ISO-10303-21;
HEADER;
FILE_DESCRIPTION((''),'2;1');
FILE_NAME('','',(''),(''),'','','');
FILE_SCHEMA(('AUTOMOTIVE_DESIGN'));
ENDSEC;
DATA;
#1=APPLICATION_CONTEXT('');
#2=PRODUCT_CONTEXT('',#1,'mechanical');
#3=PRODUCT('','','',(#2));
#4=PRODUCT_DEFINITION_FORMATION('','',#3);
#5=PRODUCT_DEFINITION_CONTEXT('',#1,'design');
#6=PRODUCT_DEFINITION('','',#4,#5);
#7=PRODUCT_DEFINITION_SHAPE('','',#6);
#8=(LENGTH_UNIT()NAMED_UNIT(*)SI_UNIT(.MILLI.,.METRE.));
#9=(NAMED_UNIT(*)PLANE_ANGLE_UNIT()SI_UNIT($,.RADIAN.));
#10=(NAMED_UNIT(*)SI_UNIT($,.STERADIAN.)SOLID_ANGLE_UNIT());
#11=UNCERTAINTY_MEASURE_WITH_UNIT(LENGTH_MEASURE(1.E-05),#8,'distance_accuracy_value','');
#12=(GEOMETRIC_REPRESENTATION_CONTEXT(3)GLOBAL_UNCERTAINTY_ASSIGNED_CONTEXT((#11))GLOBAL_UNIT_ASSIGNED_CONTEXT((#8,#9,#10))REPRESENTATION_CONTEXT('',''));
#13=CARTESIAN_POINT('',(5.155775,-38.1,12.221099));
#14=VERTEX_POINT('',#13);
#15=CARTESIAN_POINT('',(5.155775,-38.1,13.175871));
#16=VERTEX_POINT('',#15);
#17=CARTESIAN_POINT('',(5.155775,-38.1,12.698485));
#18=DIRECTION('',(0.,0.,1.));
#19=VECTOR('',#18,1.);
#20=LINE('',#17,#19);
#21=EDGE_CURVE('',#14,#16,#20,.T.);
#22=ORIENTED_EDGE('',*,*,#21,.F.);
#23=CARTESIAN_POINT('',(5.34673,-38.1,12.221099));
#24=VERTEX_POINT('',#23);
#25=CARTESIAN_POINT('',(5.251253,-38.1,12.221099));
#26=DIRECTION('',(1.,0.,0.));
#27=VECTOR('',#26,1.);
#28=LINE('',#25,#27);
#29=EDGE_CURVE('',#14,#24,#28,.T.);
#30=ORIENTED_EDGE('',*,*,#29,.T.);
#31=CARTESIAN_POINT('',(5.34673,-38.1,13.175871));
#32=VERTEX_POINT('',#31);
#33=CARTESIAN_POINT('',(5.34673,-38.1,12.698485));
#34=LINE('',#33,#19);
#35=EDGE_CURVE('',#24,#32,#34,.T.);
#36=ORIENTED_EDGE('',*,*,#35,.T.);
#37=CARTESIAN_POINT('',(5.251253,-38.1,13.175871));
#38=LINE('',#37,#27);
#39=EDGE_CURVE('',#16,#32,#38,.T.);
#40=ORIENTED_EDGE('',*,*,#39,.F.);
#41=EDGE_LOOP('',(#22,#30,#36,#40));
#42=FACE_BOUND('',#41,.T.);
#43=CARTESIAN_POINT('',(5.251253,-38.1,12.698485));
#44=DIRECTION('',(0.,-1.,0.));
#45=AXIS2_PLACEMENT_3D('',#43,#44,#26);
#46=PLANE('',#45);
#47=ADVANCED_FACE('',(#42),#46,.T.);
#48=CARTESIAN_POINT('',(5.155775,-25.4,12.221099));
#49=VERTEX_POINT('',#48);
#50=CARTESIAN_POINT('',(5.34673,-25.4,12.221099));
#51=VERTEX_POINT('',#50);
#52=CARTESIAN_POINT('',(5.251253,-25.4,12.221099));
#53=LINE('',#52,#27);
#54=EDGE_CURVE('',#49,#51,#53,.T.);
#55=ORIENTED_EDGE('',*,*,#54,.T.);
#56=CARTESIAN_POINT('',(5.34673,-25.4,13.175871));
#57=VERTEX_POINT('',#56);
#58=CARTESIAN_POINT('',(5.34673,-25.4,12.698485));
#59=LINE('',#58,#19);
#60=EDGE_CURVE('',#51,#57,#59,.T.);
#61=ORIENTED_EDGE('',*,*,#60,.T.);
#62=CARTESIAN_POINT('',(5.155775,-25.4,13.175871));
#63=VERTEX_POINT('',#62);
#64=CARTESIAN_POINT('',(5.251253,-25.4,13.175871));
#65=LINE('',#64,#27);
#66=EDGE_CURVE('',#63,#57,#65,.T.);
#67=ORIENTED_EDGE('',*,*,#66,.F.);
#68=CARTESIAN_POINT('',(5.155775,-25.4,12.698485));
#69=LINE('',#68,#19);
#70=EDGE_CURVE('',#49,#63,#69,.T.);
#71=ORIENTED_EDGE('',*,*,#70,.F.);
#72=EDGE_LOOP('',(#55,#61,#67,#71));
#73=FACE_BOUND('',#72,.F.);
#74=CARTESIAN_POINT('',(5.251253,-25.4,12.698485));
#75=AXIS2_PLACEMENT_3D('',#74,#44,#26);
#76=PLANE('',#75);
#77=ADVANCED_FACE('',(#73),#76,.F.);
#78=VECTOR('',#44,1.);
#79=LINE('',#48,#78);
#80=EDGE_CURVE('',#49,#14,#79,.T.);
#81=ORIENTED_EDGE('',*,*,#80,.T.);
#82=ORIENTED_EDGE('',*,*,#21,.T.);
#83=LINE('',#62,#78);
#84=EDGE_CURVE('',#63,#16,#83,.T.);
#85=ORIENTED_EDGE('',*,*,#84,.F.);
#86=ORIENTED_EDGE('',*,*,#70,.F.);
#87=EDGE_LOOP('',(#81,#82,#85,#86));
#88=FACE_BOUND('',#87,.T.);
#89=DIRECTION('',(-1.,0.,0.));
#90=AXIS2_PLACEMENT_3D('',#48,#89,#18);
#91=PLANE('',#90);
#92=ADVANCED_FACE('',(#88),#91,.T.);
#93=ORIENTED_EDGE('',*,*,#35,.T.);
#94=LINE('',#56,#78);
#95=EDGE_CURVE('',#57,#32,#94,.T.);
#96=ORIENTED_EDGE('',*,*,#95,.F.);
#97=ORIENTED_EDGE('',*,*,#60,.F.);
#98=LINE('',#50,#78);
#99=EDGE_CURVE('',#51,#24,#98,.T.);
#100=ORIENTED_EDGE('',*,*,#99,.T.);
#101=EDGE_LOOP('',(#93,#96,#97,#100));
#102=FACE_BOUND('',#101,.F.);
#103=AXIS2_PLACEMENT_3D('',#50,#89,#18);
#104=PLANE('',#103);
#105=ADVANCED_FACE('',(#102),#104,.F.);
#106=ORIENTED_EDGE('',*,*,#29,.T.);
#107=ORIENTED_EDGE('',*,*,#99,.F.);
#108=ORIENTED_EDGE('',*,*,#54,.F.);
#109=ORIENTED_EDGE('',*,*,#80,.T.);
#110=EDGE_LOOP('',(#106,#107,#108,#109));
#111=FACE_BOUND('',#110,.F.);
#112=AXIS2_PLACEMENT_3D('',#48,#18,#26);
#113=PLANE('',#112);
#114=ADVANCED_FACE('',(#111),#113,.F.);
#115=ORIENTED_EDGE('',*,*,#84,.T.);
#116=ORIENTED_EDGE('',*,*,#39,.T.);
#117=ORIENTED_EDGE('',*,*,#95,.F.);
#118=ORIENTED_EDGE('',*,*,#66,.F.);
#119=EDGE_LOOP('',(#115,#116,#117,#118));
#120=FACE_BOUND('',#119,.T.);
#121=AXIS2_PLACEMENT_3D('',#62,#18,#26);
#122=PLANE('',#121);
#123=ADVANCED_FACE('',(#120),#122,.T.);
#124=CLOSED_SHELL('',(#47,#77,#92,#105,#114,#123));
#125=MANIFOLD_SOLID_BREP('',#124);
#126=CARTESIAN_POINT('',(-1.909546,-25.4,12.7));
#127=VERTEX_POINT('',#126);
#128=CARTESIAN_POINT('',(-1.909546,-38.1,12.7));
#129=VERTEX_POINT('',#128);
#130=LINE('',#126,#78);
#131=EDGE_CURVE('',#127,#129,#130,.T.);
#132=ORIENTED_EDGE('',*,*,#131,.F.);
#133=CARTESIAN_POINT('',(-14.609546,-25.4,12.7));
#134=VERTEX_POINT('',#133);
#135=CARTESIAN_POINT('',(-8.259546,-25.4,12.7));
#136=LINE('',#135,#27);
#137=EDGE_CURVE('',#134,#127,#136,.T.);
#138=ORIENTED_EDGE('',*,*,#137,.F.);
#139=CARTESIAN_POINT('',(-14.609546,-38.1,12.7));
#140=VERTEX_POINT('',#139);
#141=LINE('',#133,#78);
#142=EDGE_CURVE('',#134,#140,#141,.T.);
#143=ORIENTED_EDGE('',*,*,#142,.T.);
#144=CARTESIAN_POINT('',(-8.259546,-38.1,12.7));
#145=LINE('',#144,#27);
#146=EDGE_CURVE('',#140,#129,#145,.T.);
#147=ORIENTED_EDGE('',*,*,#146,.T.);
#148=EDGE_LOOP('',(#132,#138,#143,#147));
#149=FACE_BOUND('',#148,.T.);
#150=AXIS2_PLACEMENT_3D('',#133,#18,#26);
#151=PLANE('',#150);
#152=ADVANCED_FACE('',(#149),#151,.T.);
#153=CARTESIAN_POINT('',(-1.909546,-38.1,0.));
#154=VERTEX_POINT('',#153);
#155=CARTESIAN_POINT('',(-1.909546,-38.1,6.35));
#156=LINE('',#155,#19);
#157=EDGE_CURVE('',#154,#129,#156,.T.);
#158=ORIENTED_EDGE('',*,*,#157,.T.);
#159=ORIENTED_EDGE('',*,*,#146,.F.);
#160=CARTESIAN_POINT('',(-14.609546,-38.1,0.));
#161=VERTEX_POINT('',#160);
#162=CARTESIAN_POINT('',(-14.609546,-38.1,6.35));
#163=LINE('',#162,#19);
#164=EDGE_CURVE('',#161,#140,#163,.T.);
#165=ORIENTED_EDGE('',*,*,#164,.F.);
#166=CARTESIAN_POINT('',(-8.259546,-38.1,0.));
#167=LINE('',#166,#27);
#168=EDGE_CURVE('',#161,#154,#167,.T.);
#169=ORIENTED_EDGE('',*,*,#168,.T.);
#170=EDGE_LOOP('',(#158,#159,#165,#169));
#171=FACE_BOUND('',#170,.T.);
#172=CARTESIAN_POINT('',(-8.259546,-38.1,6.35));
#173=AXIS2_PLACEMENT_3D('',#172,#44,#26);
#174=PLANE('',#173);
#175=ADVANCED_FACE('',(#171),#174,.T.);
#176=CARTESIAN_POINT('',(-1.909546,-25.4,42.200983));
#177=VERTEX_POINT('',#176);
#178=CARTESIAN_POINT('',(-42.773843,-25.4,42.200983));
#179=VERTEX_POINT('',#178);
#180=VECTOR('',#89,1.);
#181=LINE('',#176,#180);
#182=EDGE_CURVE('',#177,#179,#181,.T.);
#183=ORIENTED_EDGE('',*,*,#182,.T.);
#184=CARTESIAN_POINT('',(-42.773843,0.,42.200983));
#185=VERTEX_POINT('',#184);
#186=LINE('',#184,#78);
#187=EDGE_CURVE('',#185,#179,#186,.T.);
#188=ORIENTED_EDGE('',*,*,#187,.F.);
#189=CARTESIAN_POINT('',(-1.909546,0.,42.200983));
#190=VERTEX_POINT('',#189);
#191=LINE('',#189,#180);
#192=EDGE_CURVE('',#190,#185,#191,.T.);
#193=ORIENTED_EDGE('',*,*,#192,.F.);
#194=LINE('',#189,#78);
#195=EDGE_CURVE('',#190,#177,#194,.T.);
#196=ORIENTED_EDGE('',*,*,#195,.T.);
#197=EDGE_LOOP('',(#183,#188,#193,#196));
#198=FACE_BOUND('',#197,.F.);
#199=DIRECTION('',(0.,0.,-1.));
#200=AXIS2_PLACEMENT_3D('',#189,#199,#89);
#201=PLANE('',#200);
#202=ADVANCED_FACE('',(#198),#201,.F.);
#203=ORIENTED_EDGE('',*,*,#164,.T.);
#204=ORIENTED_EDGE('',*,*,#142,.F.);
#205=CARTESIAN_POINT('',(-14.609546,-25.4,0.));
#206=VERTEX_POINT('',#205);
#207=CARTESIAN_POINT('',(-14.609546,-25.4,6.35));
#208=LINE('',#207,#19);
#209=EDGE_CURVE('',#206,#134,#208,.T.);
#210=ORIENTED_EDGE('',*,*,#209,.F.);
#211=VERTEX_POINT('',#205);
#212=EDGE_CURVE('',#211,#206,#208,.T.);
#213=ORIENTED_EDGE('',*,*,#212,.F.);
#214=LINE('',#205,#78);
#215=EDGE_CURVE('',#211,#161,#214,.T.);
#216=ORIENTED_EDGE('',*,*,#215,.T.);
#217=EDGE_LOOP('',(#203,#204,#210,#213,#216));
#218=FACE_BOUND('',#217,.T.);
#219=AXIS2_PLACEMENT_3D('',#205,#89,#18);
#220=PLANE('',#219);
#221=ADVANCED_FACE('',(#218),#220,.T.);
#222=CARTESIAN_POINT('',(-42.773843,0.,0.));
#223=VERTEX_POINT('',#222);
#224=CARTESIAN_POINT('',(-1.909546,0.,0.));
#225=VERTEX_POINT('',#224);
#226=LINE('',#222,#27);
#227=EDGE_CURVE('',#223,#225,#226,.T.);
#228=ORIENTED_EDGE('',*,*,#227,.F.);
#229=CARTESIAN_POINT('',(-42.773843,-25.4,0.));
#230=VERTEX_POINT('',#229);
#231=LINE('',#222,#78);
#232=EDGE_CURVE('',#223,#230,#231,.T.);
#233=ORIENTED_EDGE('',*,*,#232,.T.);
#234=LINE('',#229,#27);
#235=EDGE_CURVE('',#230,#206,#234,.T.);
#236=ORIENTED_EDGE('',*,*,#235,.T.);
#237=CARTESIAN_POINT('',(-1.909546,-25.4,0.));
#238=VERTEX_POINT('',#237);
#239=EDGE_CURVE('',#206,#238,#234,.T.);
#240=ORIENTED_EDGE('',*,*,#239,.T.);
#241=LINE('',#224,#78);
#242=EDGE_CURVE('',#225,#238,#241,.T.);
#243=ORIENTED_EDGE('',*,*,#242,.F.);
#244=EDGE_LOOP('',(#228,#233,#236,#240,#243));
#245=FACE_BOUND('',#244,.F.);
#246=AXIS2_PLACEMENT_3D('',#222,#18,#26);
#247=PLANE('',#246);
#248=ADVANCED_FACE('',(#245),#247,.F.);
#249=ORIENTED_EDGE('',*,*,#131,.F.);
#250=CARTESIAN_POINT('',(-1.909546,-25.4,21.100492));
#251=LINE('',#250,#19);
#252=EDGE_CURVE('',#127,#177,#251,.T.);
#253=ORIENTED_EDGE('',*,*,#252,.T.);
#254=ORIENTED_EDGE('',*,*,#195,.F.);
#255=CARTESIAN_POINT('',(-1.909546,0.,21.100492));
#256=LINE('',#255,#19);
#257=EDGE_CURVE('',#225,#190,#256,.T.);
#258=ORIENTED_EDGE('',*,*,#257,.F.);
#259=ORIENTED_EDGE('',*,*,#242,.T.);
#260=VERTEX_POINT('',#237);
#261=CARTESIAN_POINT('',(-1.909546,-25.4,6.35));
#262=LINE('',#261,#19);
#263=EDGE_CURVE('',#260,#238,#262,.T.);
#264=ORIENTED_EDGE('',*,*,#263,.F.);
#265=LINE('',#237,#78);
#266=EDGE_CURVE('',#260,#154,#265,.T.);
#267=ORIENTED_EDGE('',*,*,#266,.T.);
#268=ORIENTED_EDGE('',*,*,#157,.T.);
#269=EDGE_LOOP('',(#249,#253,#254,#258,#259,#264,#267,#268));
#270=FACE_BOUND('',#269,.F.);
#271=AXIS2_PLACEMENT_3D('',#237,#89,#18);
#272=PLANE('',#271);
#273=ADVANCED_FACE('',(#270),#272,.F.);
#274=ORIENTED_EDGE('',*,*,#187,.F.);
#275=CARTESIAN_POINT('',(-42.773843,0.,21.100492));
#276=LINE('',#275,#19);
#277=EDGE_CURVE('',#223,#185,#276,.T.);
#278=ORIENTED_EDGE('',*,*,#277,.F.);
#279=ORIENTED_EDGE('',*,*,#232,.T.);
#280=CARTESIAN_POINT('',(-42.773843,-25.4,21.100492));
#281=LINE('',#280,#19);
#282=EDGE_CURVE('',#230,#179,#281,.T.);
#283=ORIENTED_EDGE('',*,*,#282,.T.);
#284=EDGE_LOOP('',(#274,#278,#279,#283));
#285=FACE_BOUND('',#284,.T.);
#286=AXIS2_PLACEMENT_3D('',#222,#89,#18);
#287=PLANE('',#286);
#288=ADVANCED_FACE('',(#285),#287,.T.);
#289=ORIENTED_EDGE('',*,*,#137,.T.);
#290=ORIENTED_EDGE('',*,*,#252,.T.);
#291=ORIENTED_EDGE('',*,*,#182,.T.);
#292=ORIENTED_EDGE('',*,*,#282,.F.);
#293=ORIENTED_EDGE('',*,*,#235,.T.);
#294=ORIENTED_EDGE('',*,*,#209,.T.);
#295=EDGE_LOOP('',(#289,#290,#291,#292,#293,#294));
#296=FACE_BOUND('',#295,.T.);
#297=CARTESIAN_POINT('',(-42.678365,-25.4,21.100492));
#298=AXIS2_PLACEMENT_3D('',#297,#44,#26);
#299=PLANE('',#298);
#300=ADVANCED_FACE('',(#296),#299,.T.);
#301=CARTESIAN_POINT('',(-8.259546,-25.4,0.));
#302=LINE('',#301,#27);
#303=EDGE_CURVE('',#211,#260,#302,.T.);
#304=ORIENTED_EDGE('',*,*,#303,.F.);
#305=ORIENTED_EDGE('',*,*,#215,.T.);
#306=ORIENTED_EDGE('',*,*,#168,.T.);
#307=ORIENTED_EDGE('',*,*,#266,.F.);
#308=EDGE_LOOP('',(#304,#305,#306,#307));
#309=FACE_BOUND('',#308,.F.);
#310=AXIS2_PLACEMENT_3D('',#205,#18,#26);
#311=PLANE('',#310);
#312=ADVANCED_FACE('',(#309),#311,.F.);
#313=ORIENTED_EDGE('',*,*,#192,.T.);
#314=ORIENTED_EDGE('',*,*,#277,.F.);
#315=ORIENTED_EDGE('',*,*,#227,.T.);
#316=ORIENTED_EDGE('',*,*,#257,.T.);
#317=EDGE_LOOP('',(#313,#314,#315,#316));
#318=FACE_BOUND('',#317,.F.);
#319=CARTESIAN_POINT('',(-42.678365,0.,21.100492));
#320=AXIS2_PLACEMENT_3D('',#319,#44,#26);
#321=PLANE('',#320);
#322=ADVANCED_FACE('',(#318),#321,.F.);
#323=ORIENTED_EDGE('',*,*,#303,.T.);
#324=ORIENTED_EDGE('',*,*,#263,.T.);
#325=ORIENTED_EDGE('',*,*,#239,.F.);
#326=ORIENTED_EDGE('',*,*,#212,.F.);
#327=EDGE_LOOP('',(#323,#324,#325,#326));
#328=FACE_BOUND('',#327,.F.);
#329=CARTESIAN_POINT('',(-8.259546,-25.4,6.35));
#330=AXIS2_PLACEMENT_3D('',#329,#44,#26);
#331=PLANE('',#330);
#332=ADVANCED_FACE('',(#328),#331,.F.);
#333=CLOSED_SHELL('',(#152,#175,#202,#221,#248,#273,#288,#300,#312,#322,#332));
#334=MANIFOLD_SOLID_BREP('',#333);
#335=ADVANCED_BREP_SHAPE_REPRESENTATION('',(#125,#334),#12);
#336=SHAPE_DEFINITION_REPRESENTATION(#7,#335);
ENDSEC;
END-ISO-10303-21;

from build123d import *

# Parameters (mm, degrees)
F0_W     = 0.190955
F0_H     = 42.200983
F0_W_2   = 40.673342
F1_DEPTH = 25.4
F2_W     = 12.7
F2_H     = 12.7
F2_W_2   = 0.190955
F2_H_2   = 0.954772
F3_DEPTH = 12.7


with BuildPart() as f1:
    # F0 (on Front) → F1 (new body)
    with BuildSketch(Plane.XZ):
        with Locations((-42.678365, 21.100492)):
            Rectangle(F0_W, F0_H)
        with Locations((-22.246217, 21.100492)):
            Rectangle(F0_W_2, F0_H)
    extrude(amount=F1_DEPTH)

    # F2 (on face) → F3 (join)
    with BuildSketch(Plane.XZ.offset(25.4)):
        with Locations((-8.259546, 6.35)):
            Rectangle(F2_W, F2_H)
        with Locations((5.251253, 12.698485)):
            Rectangle(F2_W_2, F2_H_2)
    extrude(amount=F3_DEPTH)


solid = f1.part
